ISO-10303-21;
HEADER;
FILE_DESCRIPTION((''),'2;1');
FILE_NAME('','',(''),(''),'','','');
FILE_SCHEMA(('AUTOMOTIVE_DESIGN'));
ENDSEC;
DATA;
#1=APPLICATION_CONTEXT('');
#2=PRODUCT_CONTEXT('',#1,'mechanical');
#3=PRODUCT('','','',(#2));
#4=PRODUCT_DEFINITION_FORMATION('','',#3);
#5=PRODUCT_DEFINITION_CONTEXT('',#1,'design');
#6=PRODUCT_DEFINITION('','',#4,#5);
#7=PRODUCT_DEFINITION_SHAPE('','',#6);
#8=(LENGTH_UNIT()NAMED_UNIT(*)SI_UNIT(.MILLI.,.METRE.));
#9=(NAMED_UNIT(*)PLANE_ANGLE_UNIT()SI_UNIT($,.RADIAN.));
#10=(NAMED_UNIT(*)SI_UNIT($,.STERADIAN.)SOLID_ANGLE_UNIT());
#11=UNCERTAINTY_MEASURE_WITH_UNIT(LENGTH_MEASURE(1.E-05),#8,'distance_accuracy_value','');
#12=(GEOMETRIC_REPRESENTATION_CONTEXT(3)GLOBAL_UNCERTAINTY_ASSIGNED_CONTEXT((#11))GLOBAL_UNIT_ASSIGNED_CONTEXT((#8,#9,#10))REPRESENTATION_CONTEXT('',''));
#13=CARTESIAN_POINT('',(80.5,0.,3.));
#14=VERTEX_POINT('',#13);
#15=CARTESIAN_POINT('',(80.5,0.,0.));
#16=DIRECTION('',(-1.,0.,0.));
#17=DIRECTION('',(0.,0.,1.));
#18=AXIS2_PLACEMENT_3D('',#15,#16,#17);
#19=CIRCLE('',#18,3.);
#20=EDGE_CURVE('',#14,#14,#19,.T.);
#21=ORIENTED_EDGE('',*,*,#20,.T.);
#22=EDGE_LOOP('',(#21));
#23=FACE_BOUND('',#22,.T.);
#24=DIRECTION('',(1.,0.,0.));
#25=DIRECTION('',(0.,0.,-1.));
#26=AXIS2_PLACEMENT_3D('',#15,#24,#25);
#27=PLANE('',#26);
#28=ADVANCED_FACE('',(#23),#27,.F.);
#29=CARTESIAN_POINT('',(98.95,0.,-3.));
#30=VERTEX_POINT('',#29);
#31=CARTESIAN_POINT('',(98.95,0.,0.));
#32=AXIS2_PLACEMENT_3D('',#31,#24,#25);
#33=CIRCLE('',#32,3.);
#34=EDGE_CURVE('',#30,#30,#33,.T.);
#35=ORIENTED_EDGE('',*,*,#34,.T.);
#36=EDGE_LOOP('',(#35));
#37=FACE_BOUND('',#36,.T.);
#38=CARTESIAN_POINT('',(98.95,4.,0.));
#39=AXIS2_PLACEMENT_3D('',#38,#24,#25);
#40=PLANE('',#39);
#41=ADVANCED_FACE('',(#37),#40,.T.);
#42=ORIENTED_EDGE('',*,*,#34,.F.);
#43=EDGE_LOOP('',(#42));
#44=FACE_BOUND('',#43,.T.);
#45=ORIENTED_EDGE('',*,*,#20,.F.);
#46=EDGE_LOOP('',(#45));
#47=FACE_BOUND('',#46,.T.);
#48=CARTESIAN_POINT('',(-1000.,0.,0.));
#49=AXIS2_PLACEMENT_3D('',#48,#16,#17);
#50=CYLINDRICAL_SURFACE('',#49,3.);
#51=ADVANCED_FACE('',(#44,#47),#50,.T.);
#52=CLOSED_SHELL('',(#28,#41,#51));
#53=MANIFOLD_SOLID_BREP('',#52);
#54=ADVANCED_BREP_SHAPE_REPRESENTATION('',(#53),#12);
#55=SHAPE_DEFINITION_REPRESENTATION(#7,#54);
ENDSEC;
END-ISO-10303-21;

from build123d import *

# Parameters (mm, degrees)
PIN_OUTER_SKETCH_W      = 18.75
PIN_OUTER_SKETCH_H      = 3
CLEAR_THE_WALL_SKETCH_W = 1.3
CLEAR_THE_WALL_SKETCH_H = 4


with BuildPart() as part:
    # Pin_Outer Sketch → Pin_Outer (revolve)
    with BuildSketch(Plane.XY):
        with Locations((89.875, 1.5)):
            Rectangle(PIN_OUTER_SKETCH_W, PIN_OUTER_SKETCH_H)
    revolve(axis=Axis((-1000, 0, 0), (1, 0, 0)))

    # Clear The Wall Sketch → Clear The Wall (revolve, cut)
    with BuildSketch(Plane.XY):
        with Locations((99.6, 2)):
            Rectangle(CLEAR_THE_WALL_SKETCH_W, CLEAR_THE_WALL_SKETCH_H)
    revolve(axis=Axis((-1000, 0, 0), (1, 0, 0)), mode=Mode.SUBTRACT)


solid = part.part
